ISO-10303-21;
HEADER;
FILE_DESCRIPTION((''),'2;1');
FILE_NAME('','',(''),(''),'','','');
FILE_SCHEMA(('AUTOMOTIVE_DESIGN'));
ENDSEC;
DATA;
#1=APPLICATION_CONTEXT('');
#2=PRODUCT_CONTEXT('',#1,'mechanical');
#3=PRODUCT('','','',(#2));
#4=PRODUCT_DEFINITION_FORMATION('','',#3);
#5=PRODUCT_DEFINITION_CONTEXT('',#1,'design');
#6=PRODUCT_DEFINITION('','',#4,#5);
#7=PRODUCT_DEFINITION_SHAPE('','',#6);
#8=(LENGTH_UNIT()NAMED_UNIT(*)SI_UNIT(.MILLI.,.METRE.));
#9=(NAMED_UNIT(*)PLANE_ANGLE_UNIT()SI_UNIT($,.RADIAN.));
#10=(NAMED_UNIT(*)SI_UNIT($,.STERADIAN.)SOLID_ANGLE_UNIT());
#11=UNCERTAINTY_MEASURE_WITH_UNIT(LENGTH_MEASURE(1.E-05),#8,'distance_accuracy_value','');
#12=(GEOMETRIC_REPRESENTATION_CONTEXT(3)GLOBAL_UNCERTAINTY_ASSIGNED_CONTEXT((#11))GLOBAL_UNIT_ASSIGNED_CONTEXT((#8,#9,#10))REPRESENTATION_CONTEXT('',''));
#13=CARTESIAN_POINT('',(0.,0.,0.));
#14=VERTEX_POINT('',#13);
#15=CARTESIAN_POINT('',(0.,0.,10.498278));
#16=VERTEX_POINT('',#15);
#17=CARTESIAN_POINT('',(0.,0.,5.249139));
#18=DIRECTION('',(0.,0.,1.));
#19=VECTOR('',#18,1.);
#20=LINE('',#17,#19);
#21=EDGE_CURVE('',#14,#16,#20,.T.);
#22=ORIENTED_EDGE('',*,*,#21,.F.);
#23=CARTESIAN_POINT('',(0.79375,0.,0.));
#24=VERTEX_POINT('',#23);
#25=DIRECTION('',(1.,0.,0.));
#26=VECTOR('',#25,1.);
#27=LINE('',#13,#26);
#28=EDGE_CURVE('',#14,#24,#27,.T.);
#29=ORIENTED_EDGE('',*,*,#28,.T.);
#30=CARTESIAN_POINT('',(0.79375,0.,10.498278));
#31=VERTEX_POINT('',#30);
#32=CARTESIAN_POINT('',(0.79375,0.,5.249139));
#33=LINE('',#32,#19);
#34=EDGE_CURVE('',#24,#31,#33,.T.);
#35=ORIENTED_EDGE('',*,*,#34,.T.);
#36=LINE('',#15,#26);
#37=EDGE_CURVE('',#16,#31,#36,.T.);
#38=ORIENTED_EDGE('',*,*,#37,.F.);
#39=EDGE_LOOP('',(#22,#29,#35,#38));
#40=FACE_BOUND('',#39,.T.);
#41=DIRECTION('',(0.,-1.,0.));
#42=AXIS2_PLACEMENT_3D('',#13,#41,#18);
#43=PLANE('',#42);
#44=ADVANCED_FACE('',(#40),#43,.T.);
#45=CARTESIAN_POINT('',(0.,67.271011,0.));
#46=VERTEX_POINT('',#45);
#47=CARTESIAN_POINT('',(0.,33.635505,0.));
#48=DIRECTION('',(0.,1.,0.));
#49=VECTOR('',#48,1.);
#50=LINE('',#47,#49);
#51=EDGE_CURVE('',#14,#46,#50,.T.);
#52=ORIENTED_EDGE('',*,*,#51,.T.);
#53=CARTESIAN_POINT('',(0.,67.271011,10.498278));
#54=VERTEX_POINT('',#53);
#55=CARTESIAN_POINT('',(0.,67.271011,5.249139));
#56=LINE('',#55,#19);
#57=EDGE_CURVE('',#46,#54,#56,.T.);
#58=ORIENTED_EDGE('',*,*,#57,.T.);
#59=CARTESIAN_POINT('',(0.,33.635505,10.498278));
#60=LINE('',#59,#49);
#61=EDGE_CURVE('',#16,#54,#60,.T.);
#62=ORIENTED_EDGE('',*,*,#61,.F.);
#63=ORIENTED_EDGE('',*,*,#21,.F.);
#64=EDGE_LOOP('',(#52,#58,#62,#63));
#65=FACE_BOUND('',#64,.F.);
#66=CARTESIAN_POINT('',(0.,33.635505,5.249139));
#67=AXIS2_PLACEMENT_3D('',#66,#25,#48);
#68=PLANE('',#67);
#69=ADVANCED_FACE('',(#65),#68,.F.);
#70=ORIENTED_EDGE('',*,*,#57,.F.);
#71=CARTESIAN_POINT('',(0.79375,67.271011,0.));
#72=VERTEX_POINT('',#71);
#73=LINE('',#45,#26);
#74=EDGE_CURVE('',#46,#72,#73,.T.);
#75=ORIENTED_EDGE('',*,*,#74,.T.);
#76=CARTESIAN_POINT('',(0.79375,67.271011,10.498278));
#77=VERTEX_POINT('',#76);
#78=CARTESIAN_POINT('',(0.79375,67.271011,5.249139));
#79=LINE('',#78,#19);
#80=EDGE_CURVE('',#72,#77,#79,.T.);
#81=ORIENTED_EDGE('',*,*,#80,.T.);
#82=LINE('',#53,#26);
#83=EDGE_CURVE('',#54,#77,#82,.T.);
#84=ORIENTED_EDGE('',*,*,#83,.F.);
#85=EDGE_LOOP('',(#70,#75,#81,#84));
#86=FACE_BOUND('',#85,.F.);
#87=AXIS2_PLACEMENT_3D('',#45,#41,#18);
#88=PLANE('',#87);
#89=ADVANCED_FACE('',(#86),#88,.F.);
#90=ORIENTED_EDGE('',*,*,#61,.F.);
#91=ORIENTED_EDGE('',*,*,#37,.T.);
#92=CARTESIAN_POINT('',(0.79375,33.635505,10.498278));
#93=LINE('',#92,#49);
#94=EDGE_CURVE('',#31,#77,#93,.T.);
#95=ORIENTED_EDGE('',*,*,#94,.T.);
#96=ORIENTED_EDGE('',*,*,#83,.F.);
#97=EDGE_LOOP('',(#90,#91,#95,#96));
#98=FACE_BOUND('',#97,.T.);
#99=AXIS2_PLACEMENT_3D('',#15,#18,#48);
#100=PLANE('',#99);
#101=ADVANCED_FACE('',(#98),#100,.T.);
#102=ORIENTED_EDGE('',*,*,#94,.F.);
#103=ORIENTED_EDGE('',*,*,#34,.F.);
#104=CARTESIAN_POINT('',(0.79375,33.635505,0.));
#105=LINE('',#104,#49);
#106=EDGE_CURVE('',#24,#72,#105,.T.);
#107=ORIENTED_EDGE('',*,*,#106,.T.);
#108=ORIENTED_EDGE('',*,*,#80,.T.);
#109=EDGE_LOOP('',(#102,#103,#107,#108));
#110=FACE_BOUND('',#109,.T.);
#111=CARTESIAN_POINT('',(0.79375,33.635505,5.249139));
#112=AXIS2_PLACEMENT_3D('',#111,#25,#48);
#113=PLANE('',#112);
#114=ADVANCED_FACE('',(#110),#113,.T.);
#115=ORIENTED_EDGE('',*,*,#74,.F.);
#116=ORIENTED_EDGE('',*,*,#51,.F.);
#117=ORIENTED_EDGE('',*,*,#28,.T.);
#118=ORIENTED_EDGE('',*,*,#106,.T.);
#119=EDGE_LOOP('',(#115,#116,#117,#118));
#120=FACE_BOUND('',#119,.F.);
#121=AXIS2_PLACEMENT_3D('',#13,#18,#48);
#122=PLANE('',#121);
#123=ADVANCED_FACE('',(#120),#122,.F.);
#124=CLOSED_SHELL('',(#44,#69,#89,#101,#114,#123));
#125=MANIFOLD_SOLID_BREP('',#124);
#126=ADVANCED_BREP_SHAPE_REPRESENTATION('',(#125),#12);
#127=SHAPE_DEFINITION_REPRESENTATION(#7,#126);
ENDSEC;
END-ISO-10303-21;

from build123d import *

# Parameters (mm, degrees)
F0_W     = 5859.30502
F0_H     = 914.4
F1_DEPTH = 69.135625
F2_SCALE = 0.0114810563


with BuildPart() as f1:
    # F0 (on Right) → F1 (new body)
    with BuildSketch(Plane.YZ):
        with Locations((2929.65251, 457.2)):
            Rectangle(F0_W, F0_H)
    extrude(amount=F1_DEPTH)


with BuildPart() as f1_1:
    # F2: moved
    add(f1.part.scale(F2_SCALE))


solid = f1_1.part
